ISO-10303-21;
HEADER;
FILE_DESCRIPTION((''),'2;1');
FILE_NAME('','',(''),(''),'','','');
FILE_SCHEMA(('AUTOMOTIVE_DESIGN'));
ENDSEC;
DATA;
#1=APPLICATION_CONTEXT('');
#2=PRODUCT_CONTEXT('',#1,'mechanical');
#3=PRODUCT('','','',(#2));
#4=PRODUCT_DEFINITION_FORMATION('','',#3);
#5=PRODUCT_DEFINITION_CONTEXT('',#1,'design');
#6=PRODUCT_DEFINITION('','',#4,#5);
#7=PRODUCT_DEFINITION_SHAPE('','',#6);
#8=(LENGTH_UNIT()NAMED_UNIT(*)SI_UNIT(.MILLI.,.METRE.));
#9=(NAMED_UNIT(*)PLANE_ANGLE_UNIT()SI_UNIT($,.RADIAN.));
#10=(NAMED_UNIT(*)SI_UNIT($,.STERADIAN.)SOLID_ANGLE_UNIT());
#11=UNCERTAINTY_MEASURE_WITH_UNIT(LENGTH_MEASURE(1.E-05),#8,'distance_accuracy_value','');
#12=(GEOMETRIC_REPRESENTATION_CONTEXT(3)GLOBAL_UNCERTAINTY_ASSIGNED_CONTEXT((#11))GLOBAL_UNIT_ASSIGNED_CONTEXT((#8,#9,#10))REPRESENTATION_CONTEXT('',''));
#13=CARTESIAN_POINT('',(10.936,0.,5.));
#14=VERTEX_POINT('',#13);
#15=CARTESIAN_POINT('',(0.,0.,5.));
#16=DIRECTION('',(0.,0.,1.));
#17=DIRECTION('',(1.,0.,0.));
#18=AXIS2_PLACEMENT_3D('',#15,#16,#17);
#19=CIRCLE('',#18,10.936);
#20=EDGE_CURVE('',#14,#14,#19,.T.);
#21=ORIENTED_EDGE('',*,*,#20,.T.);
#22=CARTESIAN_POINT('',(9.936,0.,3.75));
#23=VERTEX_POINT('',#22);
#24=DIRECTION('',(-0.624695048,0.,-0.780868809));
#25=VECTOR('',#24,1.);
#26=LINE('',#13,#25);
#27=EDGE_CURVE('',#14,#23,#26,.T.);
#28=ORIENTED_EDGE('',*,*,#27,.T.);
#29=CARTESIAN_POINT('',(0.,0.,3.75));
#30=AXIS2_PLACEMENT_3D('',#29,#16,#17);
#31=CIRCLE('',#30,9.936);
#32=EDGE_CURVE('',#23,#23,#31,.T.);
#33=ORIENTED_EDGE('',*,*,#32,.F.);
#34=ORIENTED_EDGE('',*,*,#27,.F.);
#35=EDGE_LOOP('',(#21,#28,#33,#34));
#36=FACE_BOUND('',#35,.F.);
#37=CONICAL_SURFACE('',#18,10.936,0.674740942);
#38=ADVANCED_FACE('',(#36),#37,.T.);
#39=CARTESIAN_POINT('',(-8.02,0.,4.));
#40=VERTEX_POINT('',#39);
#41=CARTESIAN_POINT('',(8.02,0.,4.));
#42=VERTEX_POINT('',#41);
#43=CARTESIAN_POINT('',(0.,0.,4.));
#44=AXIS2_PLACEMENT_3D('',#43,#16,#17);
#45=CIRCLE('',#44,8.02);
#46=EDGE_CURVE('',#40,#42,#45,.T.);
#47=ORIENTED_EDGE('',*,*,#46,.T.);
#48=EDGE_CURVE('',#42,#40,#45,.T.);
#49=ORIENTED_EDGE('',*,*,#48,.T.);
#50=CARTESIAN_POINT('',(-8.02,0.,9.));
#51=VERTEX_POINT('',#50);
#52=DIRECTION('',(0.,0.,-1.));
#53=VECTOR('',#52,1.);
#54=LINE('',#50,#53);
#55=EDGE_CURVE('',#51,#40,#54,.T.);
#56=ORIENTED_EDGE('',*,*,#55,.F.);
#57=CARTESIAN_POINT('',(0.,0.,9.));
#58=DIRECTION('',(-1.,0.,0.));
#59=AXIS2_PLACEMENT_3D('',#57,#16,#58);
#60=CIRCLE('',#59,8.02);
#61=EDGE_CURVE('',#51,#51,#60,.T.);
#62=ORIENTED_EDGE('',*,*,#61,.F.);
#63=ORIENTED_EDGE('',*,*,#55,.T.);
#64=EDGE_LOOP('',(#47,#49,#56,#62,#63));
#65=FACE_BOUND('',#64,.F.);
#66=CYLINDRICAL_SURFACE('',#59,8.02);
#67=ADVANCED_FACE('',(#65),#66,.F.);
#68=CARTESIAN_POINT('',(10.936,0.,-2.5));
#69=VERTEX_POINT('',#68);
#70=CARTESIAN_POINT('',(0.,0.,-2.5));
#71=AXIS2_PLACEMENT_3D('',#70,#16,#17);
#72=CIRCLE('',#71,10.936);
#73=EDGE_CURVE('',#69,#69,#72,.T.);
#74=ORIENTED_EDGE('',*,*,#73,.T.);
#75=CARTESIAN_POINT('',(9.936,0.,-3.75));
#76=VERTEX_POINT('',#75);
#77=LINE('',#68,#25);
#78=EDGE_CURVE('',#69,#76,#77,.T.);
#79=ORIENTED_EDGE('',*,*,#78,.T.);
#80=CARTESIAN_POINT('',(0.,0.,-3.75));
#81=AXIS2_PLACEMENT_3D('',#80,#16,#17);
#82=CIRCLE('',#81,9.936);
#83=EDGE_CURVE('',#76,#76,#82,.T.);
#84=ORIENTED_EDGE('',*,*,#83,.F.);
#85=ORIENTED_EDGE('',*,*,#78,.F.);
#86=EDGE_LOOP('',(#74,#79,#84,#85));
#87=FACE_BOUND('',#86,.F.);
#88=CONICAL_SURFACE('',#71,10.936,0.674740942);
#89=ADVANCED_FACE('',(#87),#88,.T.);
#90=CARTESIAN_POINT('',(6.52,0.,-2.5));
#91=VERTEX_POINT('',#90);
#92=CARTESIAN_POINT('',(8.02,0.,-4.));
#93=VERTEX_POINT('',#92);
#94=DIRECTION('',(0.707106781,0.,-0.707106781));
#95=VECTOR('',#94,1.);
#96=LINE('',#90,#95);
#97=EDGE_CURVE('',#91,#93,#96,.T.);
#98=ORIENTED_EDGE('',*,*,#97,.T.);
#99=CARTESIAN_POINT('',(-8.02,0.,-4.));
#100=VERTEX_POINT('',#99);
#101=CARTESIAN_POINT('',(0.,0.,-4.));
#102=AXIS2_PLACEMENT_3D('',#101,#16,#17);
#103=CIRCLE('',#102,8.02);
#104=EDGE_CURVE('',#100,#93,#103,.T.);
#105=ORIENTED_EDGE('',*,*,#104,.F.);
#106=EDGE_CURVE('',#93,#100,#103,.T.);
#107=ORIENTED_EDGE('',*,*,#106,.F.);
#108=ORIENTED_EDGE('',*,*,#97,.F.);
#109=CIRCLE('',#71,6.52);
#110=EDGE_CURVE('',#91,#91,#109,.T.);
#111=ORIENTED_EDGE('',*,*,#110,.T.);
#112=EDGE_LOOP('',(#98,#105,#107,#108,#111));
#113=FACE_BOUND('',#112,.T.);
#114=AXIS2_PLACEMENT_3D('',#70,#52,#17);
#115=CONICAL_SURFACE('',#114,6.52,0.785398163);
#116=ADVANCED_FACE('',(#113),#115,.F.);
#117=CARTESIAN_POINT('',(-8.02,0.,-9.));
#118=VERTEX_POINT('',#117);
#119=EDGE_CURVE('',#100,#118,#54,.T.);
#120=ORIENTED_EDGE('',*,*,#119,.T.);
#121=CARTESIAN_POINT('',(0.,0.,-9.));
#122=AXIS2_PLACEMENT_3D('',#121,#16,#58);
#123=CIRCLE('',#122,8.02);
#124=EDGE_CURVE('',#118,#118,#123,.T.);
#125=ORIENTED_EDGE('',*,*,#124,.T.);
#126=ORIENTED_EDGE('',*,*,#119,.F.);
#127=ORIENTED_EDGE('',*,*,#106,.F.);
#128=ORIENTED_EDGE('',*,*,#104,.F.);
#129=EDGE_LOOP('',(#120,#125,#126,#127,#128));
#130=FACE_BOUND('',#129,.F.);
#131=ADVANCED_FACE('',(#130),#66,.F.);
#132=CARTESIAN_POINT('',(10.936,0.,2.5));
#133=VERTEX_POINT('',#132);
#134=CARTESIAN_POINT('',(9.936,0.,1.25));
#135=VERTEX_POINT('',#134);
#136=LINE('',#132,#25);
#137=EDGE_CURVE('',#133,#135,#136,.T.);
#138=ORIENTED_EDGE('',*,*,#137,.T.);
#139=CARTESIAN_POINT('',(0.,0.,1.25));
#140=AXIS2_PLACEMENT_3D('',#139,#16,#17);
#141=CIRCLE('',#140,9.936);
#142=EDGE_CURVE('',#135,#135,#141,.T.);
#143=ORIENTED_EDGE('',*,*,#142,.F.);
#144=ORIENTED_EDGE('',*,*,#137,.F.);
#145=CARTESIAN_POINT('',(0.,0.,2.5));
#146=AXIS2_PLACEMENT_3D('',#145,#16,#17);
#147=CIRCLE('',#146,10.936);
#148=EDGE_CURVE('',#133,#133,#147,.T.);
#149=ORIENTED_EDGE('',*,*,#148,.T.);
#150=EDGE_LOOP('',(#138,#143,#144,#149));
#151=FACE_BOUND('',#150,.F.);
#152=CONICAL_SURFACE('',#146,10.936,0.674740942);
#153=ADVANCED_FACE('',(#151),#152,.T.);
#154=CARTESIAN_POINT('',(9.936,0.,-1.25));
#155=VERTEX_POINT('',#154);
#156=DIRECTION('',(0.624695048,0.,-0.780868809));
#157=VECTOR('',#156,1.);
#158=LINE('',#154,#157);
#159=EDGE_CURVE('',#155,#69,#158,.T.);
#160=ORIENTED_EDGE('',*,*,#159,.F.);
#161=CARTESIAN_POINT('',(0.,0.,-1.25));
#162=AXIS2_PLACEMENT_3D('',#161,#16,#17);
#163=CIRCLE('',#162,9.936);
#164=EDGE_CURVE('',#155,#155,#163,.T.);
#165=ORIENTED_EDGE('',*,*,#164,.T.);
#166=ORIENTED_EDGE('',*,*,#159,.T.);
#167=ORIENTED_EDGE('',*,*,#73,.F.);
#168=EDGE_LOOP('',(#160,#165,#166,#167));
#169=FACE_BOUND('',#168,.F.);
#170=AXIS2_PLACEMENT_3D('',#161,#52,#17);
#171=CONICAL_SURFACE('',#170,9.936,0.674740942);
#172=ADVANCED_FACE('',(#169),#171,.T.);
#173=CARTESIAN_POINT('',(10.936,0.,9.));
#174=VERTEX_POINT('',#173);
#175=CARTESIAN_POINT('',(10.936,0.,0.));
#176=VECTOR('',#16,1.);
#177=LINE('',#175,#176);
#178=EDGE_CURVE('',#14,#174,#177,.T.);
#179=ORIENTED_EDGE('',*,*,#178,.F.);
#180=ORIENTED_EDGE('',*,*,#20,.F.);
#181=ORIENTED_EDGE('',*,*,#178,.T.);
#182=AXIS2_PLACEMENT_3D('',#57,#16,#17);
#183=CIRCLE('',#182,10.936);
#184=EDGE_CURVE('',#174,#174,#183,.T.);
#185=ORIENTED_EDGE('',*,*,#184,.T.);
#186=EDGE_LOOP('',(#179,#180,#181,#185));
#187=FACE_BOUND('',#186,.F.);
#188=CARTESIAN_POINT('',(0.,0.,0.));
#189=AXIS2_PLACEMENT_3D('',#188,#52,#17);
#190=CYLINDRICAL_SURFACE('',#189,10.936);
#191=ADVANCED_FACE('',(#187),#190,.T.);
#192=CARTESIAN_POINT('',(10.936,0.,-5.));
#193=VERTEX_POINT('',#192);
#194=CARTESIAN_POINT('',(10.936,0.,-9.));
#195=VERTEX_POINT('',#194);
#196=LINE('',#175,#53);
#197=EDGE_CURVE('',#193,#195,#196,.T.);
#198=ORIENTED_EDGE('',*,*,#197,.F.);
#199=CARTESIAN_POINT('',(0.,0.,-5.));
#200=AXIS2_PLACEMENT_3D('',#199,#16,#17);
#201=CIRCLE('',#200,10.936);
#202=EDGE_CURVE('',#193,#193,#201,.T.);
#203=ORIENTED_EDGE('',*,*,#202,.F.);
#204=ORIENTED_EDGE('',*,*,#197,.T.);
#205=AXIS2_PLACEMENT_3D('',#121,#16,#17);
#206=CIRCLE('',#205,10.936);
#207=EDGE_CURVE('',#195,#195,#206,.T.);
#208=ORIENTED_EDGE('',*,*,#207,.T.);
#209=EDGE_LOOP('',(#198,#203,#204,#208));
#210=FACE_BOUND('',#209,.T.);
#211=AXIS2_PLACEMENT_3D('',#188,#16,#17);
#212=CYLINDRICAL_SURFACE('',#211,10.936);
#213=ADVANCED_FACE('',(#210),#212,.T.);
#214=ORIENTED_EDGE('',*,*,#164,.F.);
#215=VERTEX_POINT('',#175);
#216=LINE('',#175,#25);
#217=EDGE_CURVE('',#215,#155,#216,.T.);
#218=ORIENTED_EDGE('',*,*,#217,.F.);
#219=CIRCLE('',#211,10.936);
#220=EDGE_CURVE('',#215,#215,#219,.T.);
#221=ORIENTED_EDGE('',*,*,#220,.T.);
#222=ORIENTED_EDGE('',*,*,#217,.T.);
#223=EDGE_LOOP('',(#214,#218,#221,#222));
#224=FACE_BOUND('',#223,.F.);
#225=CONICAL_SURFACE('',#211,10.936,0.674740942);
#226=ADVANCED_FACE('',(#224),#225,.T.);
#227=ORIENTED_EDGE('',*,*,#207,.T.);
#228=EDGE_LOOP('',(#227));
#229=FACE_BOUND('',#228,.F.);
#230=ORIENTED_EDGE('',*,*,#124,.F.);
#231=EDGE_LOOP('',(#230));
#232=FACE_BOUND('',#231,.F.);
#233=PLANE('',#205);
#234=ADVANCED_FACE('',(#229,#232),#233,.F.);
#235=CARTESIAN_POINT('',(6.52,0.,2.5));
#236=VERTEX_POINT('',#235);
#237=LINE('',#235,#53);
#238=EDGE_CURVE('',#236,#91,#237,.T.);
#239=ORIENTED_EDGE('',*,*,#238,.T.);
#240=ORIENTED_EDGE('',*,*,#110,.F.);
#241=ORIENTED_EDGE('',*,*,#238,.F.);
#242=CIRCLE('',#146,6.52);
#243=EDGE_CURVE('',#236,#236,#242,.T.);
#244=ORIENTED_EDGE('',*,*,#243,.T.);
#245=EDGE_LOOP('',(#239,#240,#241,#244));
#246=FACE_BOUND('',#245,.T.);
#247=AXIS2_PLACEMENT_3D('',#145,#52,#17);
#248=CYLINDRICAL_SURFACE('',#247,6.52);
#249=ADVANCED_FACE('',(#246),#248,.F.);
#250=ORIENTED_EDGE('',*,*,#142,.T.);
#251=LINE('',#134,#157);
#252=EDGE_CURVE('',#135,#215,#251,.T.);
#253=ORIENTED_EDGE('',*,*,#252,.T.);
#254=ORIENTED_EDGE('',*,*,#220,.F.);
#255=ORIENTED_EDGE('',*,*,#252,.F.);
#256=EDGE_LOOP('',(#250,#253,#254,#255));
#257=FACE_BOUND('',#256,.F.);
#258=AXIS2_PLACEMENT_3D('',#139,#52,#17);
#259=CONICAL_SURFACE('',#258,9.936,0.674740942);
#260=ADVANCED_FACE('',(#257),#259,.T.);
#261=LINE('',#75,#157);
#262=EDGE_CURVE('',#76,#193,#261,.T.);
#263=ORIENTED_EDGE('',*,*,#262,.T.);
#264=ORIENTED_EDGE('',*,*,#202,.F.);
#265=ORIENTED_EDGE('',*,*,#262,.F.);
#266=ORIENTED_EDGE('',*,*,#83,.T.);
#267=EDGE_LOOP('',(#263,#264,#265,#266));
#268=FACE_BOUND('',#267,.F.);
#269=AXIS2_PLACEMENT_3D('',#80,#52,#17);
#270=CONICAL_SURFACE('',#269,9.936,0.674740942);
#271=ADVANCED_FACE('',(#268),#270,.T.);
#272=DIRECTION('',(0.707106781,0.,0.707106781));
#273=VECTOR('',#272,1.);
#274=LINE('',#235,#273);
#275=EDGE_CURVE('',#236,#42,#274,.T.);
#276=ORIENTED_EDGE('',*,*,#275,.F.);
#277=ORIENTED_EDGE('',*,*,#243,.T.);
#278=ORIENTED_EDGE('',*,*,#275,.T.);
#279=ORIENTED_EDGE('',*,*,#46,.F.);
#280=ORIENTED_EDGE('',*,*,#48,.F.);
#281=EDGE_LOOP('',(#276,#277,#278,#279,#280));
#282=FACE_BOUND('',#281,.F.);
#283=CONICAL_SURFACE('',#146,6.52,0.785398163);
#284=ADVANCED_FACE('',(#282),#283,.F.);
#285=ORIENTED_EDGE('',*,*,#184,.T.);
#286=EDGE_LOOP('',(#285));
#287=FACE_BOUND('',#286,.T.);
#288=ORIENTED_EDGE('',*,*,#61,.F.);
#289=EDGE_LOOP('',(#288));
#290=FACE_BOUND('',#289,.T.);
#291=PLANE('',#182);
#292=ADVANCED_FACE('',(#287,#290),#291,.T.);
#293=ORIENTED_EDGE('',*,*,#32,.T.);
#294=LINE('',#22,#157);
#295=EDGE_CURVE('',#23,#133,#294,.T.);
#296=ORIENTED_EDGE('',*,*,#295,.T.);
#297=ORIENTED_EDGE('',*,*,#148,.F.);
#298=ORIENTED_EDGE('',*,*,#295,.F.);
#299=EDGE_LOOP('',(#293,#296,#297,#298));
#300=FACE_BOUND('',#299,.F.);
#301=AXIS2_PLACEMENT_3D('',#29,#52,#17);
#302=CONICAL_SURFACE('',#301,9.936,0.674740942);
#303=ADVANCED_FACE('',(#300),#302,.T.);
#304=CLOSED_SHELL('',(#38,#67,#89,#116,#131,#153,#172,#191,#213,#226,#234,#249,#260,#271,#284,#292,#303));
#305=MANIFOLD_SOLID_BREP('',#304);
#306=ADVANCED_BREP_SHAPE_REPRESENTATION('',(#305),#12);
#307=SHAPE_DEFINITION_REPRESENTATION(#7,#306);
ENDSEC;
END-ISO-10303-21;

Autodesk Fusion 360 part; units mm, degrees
sketch "Sketch1" plane through (0, 0, 0) normal (0, 0, 1) x (1, 0, 0)
  circle A0 centre (0, 0) radius 10.936
  dimension "d1" = 21.872
extrude "Extrude1" add sketch "Sketch1" along normal mid plane 18
sketch "Sketch2" plane through (0, 0, 9) normal (0, 0, 1) x (-1, 0, 0)
  circle A0 centre (0, 0) radius 10.936
  circle A1 centre (0, 0) radius 8.02
  dimension "d4" = 16.04
extrude "Extrude2" cut sketch "Sketch2" against normal blind 26 contours A1
sketch "Sketch3" plane through (0, 0, 0) normal (0, 1, 0) x (1, 0, 0)
  line L0 (-10.936, -9) -> (10.936, -9) construction
  line L1 (-10.936, 9) -> (10.936, 9) construction
  line L2 (10.936, -9) -> (10.936, 9) construction
  line L3 (10.936, 0) -> (9.936, 1.25)
  line L4 (9.936, 1.25) -> (10.936, 2.5)
  line L5 (10.936, 2.5) -> (10.936, 0)
  point P0 (10.936, 1.25)
  dimension "d7" = 2.5
  dimension "d8" = 1
revolve "Revolve1" cut sketch "Sketch3" angle 360 about axis through (0, 0, 1.75) along (0, 0, 1)
pattern_linear "R-Pattern1" count 4 spacing 2.5 along (0, 0, 1) both ways of "Revolve1"
ref_plane "WorkPlane1" through (0, 0, 2) normal (0, 0, -1) x (-1, 0, 0)
sketch "Sketch5" plane through (0, 0, 0) normal (0, 1, 0) x (1, 0, 0)
  line L0 (6.52, -2.5) -> (6.52, 2.5)
  line L1 (6.52, -2.5) -> (8.02, -4)
  line L2 (6.52, 2.5) -> (8.02, 4)
  line L3 (8.02, -4) -> (8.02, 4)
  point P0 (8.02, -9)
  point P1 (8.02, 9)
  point P2 (6.52, 0)
  dimension "d18" = 45
  dimension "d19" = 45
  dimension "d20" = 5
  dimension "d21" = 1.5
revolve "Revolve2" add sketch "Sketch5" angle 360 about axis through (0, 0, 1.75) along (0, 0, 1)
equation "d1 = 20.372 mm + 2 * teeth - 0.5 mm"
equation "d8 = teeth"
equation "teeth = 1 mm"
